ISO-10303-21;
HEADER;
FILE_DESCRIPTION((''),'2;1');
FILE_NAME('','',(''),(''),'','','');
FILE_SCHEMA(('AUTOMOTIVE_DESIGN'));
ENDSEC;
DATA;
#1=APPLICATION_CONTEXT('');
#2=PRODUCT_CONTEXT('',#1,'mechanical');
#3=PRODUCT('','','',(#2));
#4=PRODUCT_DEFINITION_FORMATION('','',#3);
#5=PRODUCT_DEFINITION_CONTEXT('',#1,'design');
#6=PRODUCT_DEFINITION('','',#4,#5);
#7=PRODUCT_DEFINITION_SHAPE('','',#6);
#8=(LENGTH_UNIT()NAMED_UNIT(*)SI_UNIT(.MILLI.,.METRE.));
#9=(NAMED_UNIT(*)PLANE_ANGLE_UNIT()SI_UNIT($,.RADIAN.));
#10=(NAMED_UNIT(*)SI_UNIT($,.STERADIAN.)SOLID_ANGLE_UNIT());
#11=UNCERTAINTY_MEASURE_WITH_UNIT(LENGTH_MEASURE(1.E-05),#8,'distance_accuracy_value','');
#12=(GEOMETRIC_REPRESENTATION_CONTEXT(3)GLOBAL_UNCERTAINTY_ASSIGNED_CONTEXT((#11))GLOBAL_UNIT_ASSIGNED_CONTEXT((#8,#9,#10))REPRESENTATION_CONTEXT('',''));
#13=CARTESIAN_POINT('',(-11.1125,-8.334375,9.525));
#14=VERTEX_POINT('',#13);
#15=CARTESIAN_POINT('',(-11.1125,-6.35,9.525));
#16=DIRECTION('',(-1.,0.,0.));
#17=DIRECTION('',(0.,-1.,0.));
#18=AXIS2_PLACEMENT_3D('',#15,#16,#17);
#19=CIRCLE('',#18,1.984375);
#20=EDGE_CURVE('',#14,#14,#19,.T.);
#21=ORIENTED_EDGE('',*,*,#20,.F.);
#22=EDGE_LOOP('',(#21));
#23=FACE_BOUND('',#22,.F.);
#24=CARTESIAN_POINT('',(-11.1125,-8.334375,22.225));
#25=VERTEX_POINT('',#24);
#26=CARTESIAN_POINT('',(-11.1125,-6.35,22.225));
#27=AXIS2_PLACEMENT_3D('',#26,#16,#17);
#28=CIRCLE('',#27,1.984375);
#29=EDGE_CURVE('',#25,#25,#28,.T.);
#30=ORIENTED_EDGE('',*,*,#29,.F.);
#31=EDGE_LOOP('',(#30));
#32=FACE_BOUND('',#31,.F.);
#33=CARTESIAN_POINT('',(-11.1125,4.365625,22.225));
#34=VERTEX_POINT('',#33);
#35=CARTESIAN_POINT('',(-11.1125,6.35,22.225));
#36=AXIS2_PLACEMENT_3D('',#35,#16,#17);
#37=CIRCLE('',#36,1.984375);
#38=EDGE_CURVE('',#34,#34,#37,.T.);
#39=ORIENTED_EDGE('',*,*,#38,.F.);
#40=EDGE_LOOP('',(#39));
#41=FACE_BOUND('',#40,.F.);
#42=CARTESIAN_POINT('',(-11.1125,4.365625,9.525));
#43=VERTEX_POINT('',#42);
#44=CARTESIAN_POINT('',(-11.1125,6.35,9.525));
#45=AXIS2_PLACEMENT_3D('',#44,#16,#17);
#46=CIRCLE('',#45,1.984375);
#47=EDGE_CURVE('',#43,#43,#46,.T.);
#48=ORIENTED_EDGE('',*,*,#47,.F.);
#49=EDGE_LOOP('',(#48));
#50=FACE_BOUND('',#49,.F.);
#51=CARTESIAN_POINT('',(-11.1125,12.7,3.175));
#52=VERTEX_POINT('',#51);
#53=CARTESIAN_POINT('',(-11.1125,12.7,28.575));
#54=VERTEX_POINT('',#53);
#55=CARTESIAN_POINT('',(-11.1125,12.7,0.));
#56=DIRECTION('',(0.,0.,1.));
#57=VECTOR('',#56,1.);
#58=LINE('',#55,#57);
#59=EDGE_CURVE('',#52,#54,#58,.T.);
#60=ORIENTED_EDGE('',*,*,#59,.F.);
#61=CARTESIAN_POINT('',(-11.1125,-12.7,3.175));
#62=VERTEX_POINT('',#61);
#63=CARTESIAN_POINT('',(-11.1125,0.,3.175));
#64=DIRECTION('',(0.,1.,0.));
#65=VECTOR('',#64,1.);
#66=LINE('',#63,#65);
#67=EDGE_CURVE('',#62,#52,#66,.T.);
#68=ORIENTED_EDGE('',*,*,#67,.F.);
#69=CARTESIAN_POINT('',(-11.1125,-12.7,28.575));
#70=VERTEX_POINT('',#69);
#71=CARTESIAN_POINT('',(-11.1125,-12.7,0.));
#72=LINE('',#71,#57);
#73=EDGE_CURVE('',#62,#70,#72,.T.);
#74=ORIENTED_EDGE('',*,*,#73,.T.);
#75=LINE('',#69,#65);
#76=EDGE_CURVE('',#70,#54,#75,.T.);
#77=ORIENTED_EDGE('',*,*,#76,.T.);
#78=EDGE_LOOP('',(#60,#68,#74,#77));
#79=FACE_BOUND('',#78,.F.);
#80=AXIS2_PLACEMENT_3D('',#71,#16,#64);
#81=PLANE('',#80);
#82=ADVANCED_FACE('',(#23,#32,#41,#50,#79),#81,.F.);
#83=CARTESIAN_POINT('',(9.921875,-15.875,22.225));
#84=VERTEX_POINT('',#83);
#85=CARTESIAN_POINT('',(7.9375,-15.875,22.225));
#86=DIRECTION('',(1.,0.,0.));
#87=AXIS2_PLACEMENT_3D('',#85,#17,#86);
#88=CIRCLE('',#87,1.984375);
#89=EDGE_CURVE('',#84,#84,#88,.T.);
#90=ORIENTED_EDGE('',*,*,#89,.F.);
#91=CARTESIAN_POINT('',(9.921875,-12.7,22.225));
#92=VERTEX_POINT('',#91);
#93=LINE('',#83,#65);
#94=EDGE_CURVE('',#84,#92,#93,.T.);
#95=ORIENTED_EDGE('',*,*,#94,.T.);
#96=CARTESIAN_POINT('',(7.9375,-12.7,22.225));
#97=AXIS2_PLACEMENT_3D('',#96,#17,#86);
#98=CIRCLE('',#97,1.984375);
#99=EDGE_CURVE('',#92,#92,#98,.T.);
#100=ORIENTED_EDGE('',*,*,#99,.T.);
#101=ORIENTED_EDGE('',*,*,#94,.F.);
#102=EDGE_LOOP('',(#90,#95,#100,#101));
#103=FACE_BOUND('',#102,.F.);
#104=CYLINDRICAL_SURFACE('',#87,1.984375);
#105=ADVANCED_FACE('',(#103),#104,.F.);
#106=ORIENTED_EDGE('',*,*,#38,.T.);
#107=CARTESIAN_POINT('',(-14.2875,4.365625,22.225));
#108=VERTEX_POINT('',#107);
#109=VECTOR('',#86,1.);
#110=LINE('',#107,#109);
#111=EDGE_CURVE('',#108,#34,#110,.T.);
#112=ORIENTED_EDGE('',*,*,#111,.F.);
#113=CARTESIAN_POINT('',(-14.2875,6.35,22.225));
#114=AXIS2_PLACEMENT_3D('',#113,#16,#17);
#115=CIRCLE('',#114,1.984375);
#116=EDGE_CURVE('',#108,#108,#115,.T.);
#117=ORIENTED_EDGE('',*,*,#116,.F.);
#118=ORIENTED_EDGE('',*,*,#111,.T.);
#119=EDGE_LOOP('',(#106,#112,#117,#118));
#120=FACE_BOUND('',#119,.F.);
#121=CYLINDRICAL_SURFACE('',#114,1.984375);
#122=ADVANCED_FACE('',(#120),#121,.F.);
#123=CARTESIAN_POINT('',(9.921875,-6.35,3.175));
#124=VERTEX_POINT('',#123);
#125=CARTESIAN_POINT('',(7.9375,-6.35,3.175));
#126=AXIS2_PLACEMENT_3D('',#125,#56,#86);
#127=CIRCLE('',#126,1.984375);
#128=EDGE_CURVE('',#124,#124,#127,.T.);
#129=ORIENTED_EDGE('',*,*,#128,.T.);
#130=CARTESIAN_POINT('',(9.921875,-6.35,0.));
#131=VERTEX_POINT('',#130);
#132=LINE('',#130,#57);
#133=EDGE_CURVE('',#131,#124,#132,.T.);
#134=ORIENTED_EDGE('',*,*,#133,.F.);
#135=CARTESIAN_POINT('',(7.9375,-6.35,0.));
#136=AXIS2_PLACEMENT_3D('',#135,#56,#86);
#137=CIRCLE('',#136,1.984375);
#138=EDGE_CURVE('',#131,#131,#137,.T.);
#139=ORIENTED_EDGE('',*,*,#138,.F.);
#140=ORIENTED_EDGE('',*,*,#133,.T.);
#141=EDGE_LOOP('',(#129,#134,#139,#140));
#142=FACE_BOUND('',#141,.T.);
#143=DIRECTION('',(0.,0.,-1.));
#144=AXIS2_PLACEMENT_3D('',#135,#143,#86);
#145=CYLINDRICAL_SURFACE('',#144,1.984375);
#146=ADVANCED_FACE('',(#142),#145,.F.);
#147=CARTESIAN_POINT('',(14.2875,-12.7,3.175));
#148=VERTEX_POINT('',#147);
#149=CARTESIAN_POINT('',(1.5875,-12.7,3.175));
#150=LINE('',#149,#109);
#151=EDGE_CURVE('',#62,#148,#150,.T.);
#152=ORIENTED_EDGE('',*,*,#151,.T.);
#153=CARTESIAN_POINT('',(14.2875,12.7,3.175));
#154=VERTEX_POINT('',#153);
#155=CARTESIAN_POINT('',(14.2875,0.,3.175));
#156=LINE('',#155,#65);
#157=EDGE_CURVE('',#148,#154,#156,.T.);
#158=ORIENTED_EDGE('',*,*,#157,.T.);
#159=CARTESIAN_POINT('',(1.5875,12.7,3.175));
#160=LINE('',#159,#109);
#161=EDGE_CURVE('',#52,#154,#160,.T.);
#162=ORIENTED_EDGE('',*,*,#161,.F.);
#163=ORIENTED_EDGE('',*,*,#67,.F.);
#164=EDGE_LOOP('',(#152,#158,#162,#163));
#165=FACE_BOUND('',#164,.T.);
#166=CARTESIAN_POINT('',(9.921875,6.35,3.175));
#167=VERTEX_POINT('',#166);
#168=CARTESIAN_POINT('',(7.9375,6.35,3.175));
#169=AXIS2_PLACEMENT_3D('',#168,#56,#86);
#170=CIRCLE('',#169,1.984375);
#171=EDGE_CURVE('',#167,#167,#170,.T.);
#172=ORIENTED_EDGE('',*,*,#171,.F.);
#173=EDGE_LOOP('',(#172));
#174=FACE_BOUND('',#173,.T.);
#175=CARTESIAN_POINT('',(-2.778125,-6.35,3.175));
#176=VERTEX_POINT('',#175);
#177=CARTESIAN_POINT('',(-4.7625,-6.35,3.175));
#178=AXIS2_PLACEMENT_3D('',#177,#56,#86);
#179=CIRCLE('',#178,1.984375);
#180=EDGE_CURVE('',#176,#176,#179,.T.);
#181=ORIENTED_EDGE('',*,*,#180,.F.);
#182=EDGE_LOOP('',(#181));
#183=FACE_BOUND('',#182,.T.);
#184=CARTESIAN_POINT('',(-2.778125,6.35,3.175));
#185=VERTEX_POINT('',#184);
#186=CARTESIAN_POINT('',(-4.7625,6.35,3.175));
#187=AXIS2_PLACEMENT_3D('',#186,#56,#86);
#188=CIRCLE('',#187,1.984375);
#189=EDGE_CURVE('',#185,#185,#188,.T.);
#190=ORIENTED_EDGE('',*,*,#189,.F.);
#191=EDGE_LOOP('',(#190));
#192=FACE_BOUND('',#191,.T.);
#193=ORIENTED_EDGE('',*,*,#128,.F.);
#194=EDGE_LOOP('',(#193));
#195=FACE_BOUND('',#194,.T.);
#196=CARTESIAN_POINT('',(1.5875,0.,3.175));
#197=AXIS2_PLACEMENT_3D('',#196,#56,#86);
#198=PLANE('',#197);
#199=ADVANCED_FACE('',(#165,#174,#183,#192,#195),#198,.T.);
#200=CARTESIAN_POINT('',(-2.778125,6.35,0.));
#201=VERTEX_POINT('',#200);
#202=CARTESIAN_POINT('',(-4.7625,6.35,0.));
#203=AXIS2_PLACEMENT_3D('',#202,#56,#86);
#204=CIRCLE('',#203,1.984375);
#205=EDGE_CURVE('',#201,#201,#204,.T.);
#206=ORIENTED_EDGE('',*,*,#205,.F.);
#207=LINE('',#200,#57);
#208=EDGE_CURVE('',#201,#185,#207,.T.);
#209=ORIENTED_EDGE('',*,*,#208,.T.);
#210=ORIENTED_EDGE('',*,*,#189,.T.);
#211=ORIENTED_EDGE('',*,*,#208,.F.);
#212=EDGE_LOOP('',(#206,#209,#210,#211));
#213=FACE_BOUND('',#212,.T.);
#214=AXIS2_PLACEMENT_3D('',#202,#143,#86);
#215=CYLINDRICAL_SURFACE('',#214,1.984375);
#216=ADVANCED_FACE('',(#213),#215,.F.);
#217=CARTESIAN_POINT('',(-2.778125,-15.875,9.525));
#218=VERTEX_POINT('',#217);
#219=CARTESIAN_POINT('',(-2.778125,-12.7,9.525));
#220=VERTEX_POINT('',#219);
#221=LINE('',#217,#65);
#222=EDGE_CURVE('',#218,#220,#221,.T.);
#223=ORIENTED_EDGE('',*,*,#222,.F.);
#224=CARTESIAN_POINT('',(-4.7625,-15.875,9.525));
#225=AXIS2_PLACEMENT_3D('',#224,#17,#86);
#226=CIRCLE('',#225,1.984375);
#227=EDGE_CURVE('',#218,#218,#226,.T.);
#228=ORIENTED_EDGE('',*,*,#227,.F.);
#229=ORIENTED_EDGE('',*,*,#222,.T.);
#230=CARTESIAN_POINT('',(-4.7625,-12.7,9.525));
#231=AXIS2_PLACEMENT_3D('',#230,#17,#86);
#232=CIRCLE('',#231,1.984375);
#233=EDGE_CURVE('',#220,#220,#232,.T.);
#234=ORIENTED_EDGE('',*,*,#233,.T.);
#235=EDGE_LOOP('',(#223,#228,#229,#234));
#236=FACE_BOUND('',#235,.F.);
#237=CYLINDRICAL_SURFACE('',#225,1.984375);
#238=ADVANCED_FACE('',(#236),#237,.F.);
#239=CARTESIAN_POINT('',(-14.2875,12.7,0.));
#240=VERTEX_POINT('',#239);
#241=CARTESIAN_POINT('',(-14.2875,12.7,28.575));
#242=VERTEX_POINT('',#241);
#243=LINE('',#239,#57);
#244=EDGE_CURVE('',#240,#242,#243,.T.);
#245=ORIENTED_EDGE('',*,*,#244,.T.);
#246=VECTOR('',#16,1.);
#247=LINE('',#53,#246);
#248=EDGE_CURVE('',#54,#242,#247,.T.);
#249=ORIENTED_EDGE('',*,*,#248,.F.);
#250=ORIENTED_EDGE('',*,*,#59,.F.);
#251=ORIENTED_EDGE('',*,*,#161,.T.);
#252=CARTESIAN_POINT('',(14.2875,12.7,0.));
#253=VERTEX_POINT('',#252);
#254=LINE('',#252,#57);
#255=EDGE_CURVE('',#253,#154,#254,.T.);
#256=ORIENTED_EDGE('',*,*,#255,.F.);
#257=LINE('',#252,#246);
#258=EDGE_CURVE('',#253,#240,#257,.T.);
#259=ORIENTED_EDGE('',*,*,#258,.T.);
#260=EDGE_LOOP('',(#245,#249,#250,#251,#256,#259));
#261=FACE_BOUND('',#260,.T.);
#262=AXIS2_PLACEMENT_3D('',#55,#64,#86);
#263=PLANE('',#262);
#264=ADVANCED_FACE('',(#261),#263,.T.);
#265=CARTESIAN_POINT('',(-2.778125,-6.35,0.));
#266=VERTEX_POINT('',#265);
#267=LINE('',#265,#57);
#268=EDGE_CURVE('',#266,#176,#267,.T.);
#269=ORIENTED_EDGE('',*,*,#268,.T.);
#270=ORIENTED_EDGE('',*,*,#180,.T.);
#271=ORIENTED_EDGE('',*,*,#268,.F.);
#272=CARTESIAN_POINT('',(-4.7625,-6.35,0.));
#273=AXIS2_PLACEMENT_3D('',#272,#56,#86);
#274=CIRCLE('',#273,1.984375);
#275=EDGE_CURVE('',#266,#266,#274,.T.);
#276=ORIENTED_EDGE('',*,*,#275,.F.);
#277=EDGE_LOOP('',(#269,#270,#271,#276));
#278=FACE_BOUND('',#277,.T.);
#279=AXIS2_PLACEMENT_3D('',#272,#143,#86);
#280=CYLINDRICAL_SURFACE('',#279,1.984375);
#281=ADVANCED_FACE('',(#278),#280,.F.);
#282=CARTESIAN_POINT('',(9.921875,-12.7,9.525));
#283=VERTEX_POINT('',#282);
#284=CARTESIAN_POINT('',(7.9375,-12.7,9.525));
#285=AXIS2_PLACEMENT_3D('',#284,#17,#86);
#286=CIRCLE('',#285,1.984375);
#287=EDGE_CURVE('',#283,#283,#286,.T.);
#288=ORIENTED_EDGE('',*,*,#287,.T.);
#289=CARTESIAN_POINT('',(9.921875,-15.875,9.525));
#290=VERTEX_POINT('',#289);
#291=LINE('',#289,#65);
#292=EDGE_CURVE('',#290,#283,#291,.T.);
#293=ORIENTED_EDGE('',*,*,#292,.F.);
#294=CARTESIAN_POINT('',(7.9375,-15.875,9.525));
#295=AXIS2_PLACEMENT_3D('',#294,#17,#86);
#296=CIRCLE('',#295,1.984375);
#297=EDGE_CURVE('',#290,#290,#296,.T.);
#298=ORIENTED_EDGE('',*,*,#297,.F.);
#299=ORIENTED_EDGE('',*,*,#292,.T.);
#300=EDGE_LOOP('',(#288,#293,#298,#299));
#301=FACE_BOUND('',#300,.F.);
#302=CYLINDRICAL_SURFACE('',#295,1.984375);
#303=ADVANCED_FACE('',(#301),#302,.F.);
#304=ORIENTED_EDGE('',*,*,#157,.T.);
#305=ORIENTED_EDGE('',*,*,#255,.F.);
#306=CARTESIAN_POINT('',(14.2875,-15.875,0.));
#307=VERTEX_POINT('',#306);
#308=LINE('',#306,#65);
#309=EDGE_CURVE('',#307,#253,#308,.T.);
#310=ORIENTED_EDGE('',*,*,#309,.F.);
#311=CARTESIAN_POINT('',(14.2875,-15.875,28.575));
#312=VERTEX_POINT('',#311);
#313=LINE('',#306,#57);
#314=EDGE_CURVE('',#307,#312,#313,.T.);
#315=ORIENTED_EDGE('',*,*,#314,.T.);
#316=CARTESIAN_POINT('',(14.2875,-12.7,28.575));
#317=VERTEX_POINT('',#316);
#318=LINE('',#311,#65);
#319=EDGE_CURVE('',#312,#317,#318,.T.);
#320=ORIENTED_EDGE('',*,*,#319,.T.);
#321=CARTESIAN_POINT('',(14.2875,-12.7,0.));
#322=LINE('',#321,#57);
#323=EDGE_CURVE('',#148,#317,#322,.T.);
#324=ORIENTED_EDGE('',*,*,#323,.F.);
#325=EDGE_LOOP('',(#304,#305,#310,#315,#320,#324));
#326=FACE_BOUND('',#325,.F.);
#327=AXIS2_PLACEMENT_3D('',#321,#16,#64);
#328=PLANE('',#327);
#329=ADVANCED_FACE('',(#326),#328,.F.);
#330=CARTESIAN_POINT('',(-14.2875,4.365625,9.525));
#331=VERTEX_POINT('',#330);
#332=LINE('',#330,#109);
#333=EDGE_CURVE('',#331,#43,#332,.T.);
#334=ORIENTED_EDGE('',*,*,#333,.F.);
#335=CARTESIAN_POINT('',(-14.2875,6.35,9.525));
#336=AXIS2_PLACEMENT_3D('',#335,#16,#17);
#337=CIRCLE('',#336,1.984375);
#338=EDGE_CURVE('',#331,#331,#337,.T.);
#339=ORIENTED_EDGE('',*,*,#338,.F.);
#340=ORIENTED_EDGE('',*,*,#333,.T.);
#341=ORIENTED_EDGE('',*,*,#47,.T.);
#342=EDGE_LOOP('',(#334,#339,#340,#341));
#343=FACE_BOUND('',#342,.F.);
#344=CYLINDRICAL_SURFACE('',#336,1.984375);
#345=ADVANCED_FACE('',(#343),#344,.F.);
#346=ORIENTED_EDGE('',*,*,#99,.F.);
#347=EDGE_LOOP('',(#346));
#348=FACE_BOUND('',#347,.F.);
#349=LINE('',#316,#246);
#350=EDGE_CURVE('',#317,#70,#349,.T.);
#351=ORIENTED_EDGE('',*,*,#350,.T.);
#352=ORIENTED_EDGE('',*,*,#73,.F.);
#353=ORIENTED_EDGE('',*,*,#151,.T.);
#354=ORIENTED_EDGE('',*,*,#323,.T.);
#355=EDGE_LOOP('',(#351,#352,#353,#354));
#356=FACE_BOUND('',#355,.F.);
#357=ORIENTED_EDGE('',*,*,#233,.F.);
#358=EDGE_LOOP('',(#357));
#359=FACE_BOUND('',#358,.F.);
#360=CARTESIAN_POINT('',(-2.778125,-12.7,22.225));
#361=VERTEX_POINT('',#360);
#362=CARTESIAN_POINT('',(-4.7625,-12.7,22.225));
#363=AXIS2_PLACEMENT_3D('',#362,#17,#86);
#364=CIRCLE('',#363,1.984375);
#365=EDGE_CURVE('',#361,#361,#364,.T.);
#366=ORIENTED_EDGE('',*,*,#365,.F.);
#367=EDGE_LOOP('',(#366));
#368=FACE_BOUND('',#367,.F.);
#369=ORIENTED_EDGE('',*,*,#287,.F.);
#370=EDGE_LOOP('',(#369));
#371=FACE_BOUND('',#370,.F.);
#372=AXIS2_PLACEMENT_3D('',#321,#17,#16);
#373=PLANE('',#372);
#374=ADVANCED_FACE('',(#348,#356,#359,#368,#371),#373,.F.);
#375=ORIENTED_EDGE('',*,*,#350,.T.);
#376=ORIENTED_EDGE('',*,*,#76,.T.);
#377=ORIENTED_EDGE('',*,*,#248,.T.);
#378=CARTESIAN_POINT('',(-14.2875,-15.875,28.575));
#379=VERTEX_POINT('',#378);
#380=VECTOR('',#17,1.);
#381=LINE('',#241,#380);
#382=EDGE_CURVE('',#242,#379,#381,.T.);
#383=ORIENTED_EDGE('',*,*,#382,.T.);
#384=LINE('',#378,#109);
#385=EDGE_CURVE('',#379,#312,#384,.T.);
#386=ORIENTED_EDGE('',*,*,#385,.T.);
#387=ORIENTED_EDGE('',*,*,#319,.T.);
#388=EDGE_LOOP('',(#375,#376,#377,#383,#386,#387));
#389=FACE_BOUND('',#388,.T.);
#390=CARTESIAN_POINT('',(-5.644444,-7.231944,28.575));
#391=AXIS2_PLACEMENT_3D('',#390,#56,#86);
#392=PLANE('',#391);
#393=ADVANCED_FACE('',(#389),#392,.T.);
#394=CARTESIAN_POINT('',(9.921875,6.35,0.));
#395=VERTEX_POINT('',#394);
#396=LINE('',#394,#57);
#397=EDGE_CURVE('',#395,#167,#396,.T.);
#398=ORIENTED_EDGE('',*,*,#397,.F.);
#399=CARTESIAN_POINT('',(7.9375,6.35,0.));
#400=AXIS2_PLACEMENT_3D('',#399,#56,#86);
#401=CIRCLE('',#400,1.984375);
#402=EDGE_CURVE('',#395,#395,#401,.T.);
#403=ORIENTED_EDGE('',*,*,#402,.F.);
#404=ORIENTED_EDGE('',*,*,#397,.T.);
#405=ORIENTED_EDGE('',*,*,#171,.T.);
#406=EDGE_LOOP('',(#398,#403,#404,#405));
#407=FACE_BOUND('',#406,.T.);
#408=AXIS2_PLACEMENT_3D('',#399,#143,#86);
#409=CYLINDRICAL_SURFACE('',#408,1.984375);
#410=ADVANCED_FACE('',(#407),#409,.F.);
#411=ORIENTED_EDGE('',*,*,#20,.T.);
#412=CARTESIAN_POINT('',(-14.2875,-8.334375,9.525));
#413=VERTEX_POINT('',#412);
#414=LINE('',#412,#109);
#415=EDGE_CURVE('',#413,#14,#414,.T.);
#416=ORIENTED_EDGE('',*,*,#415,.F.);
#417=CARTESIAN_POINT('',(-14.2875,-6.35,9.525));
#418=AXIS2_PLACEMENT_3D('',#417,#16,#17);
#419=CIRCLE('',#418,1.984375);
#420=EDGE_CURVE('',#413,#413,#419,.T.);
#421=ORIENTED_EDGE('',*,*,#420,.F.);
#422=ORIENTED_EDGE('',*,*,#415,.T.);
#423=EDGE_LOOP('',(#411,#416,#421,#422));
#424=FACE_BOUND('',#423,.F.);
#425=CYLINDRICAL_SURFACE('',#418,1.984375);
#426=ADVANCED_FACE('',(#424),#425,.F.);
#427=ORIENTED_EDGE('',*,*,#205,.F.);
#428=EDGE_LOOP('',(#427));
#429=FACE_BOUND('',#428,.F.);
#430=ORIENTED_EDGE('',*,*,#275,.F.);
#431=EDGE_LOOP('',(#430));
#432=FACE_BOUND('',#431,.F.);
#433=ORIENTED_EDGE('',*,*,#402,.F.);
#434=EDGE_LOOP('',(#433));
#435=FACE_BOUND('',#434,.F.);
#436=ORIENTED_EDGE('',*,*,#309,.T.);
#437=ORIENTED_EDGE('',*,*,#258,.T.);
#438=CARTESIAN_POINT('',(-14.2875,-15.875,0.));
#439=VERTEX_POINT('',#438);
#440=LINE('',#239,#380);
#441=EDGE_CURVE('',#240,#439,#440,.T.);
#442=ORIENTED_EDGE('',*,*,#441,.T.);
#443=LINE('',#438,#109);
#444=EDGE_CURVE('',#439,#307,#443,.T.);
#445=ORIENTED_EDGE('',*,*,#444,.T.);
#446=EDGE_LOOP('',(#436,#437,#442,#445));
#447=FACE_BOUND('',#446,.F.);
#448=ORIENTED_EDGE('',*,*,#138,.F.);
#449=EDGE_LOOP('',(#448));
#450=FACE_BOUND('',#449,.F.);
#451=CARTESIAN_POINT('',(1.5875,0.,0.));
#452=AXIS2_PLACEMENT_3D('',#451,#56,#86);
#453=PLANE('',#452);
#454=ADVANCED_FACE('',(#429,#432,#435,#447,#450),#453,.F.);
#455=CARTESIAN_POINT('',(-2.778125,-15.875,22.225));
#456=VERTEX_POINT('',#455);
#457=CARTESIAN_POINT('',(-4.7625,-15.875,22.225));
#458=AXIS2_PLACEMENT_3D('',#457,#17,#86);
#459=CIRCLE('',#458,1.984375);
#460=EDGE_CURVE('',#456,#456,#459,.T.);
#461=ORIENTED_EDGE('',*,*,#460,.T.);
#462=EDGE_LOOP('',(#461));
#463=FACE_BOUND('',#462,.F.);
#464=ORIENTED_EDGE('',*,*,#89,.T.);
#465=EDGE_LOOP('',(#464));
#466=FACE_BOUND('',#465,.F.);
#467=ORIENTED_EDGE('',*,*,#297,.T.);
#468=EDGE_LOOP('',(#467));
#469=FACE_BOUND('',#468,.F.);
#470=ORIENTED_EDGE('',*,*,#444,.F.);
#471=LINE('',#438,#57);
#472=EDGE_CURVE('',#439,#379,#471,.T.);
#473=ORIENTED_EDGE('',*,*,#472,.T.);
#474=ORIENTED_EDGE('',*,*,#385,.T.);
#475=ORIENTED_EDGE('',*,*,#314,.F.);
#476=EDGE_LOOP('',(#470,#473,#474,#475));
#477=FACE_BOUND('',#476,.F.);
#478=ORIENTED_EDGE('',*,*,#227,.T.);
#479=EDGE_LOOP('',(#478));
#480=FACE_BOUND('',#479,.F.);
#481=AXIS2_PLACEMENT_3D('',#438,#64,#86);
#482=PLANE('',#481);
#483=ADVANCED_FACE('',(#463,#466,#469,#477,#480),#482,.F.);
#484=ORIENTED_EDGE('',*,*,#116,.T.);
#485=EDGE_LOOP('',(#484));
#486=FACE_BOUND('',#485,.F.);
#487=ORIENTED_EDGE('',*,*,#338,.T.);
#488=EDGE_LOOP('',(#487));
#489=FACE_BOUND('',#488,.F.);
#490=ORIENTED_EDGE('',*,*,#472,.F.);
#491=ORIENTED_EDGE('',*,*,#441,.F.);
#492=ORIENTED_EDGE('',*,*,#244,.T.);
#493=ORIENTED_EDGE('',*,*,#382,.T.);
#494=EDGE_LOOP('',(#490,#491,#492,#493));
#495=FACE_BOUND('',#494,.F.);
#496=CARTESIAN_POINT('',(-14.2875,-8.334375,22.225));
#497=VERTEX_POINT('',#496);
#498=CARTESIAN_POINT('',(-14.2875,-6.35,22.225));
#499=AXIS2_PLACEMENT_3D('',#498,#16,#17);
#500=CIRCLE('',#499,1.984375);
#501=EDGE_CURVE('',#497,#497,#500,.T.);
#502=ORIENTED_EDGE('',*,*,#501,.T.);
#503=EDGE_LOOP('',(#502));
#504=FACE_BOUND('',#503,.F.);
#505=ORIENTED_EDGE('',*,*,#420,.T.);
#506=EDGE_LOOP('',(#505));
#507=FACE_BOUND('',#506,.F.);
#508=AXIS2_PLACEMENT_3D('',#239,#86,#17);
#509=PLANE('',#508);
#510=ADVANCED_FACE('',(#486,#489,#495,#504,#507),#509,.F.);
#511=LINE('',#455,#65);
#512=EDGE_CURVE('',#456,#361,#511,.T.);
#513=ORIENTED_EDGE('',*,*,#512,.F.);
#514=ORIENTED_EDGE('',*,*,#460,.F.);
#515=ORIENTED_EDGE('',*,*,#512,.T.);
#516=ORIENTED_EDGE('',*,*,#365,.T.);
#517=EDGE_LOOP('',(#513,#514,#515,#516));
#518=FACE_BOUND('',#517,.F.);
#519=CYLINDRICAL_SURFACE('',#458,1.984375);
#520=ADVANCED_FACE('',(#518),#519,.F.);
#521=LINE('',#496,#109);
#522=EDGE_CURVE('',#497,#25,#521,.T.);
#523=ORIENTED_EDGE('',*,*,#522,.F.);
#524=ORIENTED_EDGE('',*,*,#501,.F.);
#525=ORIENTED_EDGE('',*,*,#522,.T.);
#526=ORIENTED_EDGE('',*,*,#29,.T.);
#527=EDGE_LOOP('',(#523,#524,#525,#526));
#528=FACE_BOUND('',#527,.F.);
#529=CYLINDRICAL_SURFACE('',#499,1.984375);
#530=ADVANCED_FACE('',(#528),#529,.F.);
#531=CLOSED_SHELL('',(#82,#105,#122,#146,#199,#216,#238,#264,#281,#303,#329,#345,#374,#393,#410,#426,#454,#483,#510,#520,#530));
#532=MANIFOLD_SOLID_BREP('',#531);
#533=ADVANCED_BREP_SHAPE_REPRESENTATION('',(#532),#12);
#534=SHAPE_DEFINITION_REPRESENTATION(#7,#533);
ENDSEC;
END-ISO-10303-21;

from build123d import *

# Parameters (mm, degrees)
F1_DEPTH = 28.575
F0_W     = 25.4
F0_H     = 25.4
F0_R     = 1.984375
F2_DEPTH = 3.175
F3_R     = 1.984375
F5_DEPTH = 25.4
F4_R     = 1.984375
F6_DEPTH = 25.4


with BuildPart() as f1:
    # F0 (on Top) → F1 (new body)
    with BuildSketch(Plane.XY):
        Polygon((-11.1125, 12.7), (-14.2875, 12.7), (-14.2875, -12.7), (-14.2875, -15.875), (14.2875, -15.875), (14.2875, -12.7), (-11.1125, -12.7), align=None)
    extrude(amount=F1_DEPTH)

    # F0 (on Top) → F2 (join)
    with BuildSketch(Plane.XY):
        with Locations((1.5875, 0)):
            Rectangle(F0_W, F0_H)
        with Locations((-4.7625, -6.35)):
            Circle(F0_R, mode=Mode.SUBTRACT)
        with Locations((7.9375, -6.35)):
            Circle(F0_R, mode=Mode.SUBTRACT)
        with Locations((-4.7625, 6.35)):
            Circle(F0_R, mode=Mode.SUBTRACT)
        with Locations((7.9375, 6.35)):
            Circle(F0_R, mode=Mode.SUBTRACT)
    extrude(amount=F2_DEPTH)

    # F3 (on face) → F5 (cut)
    with BuildSketch(Plane(origin=(-14.2875, 0, 0), x_dir=(0, -1, 0), z_dir=(-1, 0, 0))):
        with Locations((-6.35, 22.225)):
            Circle(F3_R)
        with Locations((6.35, 22.225)):
            Circle(F3_R)
        with Locations((6.35, 9.525)):
            Circle(F3_R)
        with Locations((-6.35, 9.525)):
            Circle(F3_R)
    extrude(amount=-F5_DEPTH, mode=Mode.SUBTRACT)

    # F4 (on face) → F6 (cut)
    with BuildSketch(Plane.XZ.offset(15.875)):
        with Locations((7.9375, 22.225)):
            Circle(F4_R)
        with Locations((7.9375, 9.525)):
            Circle(F4_R)
        with Locations((-4.7625, 9.525)):
            Circle(F4_R)
        with Locations((-4.7625, 22.225)):
            Circle(F4_R)
    extrude(amount=-F6_DEPTH, mode=Mode.SUBTRACT)


solid = f1.part
